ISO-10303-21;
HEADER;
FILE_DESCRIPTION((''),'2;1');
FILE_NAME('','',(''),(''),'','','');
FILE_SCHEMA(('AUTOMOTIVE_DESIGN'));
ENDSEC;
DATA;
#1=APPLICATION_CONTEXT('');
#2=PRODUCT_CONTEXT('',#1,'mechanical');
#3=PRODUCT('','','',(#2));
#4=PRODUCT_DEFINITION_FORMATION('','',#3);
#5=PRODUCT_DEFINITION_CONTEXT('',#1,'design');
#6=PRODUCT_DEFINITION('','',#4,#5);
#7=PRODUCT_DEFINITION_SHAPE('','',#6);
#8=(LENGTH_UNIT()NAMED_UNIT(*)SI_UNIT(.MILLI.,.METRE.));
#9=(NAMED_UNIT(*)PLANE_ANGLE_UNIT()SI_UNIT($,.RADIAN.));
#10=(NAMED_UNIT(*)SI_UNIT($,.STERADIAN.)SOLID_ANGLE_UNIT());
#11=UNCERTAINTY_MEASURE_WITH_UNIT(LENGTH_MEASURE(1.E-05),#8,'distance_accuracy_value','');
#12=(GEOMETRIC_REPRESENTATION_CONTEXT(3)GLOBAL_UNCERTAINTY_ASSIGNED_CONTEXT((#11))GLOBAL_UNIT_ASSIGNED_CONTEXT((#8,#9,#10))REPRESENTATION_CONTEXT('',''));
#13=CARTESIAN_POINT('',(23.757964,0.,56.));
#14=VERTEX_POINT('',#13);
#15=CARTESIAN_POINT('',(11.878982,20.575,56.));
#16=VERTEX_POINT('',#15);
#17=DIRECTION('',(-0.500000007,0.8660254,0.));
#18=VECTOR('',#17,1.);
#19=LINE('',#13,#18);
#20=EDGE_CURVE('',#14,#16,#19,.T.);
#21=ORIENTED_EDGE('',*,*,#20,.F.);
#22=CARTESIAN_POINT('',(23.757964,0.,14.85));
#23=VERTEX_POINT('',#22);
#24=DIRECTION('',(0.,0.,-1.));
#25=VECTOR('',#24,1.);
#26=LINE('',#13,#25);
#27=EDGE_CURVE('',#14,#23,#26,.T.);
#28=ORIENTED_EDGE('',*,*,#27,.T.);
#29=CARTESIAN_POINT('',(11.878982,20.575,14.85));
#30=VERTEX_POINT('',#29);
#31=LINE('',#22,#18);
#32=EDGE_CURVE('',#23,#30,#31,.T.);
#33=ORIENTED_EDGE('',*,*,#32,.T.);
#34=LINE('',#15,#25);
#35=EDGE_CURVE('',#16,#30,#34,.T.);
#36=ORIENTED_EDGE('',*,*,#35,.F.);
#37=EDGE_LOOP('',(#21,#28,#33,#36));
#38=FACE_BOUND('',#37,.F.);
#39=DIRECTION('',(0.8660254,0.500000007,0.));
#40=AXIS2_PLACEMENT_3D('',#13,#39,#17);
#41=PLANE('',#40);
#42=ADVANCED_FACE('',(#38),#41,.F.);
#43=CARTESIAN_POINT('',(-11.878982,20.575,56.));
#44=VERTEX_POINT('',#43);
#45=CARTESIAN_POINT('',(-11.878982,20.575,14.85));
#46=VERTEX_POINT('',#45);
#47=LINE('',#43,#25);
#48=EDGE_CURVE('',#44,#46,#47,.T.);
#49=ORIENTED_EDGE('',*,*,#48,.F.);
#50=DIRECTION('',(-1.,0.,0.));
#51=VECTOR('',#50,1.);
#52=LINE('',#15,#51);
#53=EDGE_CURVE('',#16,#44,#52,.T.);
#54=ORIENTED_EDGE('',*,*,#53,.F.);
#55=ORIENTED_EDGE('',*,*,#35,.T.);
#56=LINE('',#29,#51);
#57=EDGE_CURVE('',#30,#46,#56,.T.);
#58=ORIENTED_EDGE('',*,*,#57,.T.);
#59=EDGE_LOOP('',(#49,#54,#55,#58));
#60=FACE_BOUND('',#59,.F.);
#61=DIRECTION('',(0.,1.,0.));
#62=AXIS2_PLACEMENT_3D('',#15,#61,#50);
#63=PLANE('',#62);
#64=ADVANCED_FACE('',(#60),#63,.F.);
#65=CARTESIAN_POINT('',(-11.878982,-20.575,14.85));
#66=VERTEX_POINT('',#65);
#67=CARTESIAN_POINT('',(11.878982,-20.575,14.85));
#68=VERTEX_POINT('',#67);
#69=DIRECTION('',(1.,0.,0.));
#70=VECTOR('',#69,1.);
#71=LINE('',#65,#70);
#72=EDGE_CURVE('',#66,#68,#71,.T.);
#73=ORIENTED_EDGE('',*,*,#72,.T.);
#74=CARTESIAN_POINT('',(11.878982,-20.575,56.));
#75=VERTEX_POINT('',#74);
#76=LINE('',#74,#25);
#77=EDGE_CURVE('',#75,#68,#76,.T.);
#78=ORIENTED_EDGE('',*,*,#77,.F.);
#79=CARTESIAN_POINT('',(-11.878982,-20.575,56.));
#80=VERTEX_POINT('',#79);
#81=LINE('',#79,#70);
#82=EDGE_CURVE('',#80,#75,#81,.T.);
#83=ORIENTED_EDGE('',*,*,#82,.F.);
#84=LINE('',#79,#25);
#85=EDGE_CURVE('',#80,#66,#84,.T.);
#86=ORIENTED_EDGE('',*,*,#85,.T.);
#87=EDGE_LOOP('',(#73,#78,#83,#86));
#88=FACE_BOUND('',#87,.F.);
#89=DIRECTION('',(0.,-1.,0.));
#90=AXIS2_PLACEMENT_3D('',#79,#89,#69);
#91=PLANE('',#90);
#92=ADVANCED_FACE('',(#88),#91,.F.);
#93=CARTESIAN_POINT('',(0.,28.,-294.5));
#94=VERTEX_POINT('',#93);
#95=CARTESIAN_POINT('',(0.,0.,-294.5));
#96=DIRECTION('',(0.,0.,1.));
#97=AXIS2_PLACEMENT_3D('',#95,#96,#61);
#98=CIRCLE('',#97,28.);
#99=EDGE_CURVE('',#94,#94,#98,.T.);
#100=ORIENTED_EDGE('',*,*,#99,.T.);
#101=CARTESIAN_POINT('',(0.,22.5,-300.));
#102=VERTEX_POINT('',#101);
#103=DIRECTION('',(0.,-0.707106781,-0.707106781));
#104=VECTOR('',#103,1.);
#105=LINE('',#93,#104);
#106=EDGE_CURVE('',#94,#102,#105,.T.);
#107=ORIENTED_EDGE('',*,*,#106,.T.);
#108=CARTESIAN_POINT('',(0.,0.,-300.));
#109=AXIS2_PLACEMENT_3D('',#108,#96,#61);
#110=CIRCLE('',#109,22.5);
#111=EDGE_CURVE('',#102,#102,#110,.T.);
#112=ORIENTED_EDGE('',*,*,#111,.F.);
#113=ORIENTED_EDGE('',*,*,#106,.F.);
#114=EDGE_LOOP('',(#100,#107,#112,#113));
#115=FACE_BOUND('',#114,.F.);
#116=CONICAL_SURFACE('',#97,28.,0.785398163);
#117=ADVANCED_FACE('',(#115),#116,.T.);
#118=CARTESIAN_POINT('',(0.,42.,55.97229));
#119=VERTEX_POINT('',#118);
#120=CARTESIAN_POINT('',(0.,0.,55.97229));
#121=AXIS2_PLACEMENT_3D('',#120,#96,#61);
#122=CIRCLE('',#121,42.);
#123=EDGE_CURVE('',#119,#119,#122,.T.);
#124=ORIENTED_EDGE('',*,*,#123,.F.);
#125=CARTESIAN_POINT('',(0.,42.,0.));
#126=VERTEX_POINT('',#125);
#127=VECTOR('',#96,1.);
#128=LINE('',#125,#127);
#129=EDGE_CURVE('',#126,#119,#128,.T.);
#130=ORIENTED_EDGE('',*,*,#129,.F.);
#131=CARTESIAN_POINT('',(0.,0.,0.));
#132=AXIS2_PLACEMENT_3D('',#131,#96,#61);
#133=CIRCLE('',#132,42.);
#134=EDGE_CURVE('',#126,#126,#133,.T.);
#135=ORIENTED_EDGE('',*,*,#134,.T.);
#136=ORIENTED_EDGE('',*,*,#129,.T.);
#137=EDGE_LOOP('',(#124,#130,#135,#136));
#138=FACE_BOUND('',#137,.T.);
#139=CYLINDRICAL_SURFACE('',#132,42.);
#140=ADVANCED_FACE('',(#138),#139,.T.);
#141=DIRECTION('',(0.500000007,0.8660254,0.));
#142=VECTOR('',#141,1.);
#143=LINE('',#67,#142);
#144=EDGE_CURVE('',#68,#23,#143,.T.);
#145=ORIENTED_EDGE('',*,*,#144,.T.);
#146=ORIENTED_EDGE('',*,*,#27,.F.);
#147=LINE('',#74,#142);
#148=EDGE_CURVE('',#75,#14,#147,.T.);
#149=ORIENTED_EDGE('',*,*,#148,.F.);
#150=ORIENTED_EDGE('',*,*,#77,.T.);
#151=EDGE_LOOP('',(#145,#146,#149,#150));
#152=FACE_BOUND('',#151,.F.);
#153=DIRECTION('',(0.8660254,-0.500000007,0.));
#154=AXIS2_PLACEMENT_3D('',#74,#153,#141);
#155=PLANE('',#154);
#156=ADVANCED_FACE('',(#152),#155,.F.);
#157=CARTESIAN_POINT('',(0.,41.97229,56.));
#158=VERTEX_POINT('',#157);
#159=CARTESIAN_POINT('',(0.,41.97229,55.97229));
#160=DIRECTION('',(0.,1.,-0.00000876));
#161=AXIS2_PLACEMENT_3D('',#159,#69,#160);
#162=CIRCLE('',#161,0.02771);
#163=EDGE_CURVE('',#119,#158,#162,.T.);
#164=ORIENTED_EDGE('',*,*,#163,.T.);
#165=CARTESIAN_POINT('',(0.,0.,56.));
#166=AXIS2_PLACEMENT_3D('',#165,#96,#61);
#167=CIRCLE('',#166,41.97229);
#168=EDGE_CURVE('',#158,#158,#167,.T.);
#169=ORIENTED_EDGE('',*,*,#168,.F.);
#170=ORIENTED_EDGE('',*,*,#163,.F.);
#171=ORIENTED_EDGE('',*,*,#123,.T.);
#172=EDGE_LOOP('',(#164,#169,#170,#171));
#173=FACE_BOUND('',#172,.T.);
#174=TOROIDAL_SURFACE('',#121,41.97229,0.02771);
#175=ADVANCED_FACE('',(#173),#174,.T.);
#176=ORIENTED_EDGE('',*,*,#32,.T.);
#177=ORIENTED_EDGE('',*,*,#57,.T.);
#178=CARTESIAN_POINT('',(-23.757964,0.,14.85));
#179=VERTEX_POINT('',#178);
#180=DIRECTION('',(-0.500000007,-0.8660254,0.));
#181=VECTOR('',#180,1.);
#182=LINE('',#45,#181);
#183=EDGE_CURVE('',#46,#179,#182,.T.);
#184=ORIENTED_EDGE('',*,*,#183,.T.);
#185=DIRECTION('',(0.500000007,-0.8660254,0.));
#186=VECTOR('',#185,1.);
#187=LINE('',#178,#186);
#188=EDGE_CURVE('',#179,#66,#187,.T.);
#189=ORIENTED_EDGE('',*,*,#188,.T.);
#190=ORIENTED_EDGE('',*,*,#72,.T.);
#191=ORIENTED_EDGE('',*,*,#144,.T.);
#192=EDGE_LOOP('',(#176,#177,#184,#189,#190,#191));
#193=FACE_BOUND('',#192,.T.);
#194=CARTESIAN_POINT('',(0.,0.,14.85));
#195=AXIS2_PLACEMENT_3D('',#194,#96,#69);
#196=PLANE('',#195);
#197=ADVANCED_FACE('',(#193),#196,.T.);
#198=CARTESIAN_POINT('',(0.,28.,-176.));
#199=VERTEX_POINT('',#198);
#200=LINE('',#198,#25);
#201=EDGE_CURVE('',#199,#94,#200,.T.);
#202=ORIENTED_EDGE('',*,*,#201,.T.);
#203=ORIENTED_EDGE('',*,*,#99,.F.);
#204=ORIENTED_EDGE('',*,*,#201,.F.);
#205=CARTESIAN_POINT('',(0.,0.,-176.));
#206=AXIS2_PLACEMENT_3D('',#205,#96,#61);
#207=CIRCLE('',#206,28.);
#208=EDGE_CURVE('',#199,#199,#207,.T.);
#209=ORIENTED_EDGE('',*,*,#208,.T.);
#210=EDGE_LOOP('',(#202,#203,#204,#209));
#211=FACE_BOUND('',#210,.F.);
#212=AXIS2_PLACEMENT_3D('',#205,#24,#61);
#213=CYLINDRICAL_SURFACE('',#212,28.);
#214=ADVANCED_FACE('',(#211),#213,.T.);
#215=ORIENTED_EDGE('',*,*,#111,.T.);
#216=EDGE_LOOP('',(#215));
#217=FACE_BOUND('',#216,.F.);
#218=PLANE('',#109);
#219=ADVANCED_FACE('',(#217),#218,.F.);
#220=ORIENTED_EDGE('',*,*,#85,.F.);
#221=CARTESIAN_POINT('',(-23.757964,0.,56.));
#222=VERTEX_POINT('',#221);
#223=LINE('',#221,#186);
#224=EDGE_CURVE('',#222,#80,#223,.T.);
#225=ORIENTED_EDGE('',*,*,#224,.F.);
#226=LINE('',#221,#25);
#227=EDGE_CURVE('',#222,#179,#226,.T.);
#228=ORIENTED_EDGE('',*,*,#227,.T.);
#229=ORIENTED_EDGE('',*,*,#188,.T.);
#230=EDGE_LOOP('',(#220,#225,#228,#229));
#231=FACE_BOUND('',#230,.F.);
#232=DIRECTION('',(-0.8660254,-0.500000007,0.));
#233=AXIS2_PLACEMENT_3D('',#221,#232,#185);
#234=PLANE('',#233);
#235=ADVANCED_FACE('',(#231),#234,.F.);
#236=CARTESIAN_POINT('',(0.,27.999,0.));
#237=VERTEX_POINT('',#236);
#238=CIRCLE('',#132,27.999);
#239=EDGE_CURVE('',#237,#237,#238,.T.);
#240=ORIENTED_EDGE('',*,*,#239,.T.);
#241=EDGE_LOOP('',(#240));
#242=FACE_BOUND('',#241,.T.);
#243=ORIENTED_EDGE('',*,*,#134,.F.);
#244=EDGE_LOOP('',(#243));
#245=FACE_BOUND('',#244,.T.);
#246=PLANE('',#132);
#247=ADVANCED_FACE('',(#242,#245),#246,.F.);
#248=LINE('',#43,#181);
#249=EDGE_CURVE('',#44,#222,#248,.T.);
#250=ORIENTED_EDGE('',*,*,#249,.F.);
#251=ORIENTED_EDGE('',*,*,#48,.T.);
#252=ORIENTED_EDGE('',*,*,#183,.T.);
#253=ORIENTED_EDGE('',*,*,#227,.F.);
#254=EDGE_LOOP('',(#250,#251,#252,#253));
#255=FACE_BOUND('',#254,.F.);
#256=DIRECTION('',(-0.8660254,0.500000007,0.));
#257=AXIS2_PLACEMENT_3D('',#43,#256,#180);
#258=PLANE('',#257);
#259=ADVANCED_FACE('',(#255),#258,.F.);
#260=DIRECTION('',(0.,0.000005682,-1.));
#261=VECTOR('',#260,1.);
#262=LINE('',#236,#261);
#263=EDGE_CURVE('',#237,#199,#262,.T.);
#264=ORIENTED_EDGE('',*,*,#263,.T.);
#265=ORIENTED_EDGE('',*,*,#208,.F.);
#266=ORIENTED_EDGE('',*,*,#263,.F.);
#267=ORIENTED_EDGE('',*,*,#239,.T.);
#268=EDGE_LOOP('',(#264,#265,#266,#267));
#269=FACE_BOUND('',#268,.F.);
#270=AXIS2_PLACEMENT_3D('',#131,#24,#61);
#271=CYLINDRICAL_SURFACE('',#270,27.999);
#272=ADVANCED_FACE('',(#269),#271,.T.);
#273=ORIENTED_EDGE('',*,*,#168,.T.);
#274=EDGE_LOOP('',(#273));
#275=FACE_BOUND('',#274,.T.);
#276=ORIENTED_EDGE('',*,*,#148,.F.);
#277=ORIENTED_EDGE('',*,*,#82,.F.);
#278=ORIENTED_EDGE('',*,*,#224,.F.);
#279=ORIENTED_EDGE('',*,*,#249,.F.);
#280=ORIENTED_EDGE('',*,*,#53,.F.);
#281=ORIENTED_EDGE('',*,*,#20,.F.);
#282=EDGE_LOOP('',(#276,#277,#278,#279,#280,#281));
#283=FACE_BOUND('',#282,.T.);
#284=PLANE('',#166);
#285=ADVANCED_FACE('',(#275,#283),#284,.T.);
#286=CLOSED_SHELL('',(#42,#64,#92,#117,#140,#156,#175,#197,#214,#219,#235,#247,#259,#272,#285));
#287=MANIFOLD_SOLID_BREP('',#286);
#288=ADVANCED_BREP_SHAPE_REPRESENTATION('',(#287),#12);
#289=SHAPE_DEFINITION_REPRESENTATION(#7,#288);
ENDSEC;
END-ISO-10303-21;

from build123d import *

# Parameters (mm, degrees)
POCKET_DEPTH = 41.15


with BuildPart() as part:
    # Sketch → Revolve (revolve)
    with BuildSketch(Plane.YZ):
        with BuildLine():
            Line((27.999, 0), (42, 0))
            Line((42, 0), (42, 55.97229))
            ThreePointArc((42, 55.97229), (41.991884, 55.991884), (41.97229, 56))
            Line((41.97229, 56), (0, 56))
            Line((0, -300), (0, 56))
            Line((22.5, -300), (0, -300))
            Line((28, -294.5), (22.5, -300))
            Line((28, -176), (28, -294.5))
            Line((27.999, 0), (28, -176))
        make_face()
    revolve(axis=Axis((0, 0, 0), (0, 0, 1)))

    # Sketch001 → Pocket (cut)
    with BuildSketch(Plane.XY.offset(56)):
        Polygon((23.757964, 0), (11.878982, 20.575), (-11.878982, 20.575), (-23.757964, 0), (-11.878982, -20.575), (11.878982, -20.575), align=None)
    extrude(amount=-POCKET_DEPTH, mode=Mode.SUBTRACT)


solid = part.part
